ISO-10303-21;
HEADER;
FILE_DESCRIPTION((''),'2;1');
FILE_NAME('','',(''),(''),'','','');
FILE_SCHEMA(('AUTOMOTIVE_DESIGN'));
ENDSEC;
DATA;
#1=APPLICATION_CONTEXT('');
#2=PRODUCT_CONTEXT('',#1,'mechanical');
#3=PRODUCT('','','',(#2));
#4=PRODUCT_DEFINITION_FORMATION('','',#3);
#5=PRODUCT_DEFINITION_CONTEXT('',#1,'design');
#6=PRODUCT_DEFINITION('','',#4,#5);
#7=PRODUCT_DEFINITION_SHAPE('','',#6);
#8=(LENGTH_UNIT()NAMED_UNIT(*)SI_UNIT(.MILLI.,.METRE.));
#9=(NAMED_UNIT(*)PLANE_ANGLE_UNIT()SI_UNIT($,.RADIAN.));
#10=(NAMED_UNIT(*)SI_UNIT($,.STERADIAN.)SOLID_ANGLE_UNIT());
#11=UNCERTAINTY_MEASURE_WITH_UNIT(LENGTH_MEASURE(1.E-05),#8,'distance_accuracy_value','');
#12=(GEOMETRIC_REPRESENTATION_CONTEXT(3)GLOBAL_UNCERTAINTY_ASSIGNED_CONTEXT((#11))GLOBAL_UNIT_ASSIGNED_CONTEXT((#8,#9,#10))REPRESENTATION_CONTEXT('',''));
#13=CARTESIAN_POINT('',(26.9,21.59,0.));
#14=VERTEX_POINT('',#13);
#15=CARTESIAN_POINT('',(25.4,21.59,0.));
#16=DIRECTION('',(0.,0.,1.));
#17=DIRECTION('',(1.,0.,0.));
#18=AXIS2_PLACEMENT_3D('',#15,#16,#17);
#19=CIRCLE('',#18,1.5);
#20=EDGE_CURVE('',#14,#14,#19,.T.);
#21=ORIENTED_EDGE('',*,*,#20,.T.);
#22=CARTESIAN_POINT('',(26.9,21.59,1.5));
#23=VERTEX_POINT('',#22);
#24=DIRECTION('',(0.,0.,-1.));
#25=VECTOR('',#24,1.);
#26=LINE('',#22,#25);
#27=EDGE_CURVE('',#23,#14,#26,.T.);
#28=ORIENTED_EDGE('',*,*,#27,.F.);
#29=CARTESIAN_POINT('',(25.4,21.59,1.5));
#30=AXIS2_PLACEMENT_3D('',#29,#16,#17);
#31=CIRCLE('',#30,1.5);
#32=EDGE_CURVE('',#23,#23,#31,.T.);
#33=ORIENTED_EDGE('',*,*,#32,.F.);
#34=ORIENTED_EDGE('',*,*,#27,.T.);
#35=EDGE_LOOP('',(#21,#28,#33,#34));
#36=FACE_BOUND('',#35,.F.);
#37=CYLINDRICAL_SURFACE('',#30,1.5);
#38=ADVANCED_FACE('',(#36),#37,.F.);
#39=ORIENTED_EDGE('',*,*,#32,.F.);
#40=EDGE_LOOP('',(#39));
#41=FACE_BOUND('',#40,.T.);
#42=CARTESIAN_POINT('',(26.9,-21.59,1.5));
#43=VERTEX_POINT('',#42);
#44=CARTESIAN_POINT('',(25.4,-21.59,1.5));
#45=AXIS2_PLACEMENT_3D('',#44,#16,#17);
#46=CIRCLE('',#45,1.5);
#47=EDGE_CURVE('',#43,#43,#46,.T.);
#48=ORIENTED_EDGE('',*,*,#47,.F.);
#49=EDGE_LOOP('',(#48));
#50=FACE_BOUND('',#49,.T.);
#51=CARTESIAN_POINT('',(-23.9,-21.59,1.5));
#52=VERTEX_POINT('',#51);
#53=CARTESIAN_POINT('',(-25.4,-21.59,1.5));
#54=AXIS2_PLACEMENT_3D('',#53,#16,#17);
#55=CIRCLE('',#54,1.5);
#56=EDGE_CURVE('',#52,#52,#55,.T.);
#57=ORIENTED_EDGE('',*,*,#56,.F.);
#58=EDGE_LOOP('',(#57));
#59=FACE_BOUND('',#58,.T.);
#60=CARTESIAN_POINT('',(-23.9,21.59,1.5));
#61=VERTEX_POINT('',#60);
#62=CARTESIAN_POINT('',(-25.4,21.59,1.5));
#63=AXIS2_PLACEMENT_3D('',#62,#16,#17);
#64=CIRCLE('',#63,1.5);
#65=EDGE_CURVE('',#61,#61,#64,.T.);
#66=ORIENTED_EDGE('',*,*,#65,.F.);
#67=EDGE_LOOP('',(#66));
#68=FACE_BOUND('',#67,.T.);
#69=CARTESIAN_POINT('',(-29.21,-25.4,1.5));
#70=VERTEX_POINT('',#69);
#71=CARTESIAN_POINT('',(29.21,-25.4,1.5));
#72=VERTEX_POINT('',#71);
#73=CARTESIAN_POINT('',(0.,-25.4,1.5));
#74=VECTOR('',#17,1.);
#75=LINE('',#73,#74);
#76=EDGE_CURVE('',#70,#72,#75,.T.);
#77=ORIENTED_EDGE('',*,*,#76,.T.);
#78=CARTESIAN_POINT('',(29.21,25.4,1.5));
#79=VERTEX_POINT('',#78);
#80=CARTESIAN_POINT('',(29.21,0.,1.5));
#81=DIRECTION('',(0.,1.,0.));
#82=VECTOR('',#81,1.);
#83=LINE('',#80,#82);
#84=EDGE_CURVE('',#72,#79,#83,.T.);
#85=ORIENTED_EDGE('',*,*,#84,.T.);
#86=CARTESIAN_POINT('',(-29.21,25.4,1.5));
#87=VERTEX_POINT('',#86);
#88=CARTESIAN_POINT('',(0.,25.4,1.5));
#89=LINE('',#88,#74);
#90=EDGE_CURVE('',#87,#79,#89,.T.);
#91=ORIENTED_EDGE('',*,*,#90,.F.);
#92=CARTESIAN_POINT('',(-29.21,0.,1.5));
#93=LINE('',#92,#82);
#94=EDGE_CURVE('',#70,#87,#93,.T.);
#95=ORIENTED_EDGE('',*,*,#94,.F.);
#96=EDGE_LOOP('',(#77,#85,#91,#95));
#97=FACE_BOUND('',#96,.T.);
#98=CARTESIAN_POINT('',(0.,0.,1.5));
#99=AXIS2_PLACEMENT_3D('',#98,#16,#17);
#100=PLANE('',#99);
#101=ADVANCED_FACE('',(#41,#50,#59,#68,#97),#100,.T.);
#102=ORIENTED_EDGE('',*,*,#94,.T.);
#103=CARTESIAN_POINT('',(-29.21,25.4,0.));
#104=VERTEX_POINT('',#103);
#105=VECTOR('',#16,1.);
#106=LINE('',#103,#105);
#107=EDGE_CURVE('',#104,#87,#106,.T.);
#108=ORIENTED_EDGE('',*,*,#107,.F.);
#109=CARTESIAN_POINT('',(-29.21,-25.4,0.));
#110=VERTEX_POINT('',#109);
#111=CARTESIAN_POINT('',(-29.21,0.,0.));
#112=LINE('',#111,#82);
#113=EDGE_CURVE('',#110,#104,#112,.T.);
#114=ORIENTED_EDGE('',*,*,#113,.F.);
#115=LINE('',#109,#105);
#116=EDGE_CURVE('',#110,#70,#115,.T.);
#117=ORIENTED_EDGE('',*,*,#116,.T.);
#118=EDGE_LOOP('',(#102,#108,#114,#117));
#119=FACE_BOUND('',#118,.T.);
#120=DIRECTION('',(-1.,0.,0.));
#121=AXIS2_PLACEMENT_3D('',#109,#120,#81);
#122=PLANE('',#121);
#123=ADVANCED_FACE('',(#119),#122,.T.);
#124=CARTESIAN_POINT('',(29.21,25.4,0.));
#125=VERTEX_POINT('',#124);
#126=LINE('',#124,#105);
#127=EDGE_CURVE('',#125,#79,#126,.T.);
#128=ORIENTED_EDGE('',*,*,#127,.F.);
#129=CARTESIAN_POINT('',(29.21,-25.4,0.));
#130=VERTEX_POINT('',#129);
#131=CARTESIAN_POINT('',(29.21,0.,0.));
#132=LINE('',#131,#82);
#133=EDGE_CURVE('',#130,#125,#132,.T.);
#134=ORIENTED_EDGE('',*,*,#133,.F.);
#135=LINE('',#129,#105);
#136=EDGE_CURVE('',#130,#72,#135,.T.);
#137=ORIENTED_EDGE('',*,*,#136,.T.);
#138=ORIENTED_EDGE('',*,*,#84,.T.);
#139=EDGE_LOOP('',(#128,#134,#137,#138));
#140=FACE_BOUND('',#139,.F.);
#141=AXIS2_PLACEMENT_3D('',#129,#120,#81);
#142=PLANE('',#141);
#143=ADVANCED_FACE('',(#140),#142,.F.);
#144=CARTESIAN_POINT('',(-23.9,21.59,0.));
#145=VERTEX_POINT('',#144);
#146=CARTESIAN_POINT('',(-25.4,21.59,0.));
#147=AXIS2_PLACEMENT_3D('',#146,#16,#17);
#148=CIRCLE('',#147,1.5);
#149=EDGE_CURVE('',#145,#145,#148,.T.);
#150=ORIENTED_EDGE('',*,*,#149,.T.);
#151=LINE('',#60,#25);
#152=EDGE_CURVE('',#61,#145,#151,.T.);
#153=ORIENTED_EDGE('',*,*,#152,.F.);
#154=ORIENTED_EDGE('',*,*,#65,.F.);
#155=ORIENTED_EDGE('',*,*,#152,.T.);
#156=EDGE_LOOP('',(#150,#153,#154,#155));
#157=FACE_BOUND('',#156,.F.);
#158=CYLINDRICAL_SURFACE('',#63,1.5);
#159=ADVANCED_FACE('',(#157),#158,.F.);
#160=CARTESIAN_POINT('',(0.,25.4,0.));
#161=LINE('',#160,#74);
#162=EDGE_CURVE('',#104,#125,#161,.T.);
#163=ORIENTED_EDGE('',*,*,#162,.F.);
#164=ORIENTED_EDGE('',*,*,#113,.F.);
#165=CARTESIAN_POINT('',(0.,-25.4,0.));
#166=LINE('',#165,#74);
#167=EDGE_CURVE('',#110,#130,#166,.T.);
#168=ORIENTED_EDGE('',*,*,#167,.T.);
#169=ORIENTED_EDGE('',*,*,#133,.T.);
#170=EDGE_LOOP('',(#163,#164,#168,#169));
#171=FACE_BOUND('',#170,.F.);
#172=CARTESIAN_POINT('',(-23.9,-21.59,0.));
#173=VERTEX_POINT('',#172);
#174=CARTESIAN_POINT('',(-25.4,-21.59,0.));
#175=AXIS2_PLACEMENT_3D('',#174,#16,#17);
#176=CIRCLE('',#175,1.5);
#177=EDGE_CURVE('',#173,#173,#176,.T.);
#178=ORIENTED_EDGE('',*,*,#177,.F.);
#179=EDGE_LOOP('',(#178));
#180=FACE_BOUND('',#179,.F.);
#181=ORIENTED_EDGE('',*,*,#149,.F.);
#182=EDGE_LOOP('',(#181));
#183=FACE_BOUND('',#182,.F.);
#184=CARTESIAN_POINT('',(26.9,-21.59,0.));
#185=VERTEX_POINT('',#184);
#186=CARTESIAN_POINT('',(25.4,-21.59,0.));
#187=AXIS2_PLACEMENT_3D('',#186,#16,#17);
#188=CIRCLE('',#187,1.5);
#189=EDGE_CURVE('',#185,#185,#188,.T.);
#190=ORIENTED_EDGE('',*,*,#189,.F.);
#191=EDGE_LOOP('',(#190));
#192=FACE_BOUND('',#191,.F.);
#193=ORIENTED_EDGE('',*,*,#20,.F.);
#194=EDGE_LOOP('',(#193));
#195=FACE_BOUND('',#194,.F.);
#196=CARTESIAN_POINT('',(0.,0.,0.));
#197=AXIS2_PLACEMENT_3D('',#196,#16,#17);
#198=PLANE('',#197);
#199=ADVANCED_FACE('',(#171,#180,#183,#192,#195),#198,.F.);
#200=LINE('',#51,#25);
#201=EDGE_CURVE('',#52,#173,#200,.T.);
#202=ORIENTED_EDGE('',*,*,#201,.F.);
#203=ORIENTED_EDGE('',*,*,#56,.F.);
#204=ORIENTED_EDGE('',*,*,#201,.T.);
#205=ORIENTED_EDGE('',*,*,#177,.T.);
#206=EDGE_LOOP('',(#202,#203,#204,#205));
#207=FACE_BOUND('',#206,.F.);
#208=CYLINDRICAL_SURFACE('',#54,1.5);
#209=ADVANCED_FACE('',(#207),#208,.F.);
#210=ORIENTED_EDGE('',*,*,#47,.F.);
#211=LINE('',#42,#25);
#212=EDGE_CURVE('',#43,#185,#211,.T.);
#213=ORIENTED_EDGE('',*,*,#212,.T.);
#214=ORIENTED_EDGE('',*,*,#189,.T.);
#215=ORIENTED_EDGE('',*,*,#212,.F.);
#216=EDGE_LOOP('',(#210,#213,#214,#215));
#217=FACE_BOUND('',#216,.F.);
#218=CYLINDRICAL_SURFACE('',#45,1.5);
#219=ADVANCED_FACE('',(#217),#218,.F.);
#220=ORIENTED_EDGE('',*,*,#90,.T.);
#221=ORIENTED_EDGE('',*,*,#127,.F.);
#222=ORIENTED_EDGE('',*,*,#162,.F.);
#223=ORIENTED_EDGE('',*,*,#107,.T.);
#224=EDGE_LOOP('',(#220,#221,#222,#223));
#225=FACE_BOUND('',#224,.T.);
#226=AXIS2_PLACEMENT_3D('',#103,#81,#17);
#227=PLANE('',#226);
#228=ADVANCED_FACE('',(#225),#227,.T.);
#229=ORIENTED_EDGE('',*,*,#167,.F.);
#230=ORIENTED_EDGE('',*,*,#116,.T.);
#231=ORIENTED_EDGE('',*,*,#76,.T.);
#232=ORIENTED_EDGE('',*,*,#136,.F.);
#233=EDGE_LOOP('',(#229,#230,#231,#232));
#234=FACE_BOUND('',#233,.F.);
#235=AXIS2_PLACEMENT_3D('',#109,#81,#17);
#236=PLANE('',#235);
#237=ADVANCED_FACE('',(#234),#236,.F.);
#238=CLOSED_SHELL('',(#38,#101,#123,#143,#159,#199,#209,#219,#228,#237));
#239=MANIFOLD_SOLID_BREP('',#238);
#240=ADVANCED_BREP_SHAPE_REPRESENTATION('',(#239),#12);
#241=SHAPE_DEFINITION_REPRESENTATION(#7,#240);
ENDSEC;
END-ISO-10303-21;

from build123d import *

# Parameters (mm, degrees)
SKETCH_W     = 58.42
SKETCH_H     = 50.8
PAD_DEPTH    = 1.5
SKETCH001_R  = 1.5
POCKET_DEPTH = 5


with BuildPart() as part:
    # Sketch → Pad (new body)
    with BuildSketch(Plane.XY):
        Rectangle(SKETCH_W, SKETCH_H)
    extrude(amount=PAD_DEPTH)

    # Sketch001 → Pocket (cut)
    with BuildSketch(Plane.XY.offset(1.5)):
        with Locations((-25.4, 21.59)):
            Circle(SKETCH001_R)
        with Locations((25.4, 21.59)):
            Circle(SKETCH001_R)
        with Locations((25.4, -21.59)):
            Circle(SKETCH001_R)
        with Locations((-25.4, -21.59)):
            Circle(SKETCH001_R)
    extrude(amount=-POCKET_DEPTH, mode=Mode.SUBTRACT)


solid = part.part
